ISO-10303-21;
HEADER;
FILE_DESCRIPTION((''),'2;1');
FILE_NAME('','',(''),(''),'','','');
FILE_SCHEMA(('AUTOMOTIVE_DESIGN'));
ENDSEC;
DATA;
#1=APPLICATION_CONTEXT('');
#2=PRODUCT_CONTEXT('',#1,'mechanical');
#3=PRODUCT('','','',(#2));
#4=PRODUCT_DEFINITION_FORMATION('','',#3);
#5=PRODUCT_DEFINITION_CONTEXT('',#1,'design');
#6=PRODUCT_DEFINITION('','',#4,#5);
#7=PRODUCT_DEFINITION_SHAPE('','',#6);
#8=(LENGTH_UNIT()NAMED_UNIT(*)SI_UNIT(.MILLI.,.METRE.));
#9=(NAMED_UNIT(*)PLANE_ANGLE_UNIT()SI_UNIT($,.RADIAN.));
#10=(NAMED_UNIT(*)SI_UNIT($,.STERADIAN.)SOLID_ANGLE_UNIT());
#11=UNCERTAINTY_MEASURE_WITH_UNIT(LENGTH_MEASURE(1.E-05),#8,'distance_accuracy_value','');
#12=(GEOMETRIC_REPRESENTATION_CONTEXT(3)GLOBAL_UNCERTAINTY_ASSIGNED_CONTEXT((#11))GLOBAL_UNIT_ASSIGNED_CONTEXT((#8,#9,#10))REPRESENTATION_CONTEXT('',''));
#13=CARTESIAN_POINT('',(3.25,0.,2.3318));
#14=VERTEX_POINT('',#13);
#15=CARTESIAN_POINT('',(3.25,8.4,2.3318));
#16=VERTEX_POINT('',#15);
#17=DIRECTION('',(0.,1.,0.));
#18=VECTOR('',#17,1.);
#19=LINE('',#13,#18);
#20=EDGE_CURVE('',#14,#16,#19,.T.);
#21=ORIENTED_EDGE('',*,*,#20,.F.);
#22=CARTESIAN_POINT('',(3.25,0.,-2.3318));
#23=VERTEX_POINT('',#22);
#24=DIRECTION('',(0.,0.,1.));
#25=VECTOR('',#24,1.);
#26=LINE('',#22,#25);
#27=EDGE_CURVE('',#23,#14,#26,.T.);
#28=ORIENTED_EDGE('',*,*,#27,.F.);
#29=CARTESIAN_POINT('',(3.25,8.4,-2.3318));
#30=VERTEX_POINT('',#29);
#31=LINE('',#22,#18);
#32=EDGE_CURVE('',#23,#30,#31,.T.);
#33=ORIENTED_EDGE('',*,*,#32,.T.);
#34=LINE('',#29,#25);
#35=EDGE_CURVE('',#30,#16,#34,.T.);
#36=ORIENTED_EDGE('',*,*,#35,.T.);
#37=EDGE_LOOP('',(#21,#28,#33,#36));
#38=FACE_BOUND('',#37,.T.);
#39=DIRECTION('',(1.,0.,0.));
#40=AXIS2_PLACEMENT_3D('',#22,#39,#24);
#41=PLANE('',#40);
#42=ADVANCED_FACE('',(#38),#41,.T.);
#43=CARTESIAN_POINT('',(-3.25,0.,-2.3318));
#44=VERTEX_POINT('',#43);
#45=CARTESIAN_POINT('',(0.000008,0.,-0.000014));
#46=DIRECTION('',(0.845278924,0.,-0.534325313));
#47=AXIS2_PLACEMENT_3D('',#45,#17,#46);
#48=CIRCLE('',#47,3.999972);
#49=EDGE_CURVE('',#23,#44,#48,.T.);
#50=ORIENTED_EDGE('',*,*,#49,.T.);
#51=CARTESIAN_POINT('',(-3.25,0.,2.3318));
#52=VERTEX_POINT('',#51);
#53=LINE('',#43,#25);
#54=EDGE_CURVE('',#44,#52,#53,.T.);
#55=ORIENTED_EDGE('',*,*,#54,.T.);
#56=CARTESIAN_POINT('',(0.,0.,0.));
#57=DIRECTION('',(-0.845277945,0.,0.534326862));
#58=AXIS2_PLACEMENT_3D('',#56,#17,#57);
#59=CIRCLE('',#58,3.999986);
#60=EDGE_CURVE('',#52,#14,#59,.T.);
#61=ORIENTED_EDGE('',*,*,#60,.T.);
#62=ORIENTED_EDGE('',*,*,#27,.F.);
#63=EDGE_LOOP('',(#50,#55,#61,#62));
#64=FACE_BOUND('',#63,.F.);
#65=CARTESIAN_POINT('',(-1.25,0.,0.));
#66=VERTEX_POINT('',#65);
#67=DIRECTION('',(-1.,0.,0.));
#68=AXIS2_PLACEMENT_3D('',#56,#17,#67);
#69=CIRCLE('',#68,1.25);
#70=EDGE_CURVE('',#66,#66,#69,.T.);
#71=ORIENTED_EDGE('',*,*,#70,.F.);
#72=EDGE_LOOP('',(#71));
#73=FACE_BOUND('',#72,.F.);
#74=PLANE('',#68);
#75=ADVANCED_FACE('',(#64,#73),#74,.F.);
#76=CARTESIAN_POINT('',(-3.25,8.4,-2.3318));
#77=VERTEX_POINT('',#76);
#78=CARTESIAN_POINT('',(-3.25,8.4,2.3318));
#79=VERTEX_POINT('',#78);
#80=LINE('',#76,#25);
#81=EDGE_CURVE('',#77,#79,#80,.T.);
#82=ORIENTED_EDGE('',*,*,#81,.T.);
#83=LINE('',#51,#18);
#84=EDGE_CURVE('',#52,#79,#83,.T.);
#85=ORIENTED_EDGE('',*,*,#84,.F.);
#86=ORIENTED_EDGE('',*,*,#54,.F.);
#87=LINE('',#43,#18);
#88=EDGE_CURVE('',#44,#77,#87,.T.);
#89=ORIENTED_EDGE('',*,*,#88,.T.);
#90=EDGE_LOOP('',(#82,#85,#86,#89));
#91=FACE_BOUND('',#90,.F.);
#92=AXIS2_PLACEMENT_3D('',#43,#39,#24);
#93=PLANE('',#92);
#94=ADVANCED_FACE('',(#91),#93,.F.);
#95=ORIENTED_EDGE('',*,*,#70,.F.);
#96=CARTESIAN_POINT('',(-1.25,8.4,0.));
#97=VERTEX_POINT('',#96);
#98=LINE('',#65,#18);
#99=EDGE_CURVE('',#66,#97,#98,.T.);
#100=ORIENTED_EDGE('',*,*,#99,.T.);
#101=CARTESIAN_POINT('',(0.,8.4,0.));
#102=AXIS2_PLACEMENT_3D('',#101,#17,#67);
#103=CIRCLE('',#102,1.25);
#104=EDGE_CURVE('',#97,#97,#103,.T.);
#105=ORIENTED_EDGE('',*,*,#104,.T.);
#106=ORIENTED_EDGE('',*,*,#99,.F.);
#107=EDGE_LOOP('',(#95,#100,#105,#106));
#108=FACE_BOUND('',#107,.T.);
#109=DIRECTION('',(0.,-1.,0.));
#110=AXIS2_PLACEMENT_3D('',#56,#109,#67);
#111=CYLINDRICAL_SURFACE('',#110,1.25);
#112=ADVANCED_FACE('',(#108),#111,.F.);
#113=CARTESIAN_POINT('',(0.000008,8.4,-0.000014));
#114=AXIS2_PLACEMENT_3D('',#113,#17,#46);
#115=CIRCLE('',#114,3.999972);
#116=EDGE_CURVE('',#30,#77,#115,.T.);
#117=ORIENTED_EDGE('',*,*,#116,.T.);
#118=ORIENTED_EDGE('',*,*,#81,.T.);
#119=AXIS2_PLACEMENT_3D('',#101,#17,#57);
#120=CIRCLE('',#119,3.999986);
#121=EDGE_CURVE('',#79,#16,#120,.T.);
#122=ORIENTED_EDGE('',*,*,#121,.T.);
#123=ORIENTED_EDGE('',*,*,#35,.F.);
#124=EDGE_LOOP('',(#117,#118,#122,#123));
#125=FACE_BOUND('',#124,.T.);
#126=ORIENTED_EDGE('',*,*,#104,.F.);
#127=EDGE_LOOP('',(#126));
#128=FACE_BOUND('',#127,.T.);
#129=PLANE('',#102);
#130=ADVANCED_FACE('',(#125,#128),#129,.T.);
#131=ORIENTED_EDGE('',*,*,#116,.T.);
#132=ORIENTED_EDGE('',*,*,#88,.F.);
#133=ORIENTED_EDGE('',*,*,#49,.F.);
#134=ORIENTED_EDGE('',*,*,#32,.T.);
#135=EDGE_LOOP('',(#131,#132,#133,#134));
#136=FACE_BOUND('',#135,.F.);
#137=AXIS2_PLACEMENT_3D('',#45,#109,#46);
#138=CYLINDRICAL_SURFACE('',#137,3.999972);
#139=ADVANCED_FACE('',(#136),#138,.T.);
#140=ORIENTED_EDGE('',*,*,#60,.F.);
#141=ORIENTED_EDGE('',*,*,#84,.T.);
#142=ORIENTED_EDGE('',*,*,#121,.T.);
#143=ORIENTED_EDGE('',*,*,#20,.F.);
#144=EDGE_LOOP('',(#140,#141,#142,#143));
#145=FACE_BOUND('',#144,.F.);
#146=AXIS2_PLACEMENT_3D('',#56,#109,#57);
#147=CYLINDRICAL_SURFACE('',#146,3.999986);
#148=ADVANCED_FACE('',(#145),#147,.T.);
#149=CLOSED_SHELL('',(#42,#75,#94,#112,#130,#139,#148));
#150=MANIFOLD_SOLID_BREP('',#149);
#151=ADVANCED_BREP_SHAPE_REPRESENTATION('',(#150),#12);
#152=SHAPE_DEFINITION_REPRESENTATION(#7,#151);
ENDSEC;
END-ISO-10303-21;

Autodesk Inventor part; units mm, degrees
ref_plane "YZ Plane" through (0, 0, 0) normal (1, 0, 0) x (0, 1, 0)
ref_plane "XZ Plane" through (0, 0, 0) normal (0, 1, 0) x (-1, 0, 0)
ref_plane "XY Plane" through (0, 0, 0) normal (0, 0, 1) x (1, 0, 0)
sketch "Skizze1" plane through (0, 0, 0) normal (0, 1, 0) x (-1, 0, 0)
  circle A0 centre (0, 0) radius 1.25
  circle A1 centre (0, 0) radius 5 construction
  circle A2 centre (0, 0) radius 4 construction
  line L0 (3.25, -2.3318) -> (3.25, 2.3318)
  line L1 (-3.25, -2.3318) -> (-3.25, 2.3318)
  arc A3 (-3.3811, -2.1373) -> (3.25, -2.3318) centre (0, 0) ccw
  arc A4 (3.3811, 2.1373) -> (-3.3811, 2.1373) centre (0, 0) ccw
  dimension "d2" = 8
  dimension "d0" = 2.5
  dimension "d1" = 10
  dimension "d3" = 6.5
extrude "Extrusion1" add sketch "Skizze1" along normal blind 8.4
properties part number "HallSensor_Abstand_8mm4"
